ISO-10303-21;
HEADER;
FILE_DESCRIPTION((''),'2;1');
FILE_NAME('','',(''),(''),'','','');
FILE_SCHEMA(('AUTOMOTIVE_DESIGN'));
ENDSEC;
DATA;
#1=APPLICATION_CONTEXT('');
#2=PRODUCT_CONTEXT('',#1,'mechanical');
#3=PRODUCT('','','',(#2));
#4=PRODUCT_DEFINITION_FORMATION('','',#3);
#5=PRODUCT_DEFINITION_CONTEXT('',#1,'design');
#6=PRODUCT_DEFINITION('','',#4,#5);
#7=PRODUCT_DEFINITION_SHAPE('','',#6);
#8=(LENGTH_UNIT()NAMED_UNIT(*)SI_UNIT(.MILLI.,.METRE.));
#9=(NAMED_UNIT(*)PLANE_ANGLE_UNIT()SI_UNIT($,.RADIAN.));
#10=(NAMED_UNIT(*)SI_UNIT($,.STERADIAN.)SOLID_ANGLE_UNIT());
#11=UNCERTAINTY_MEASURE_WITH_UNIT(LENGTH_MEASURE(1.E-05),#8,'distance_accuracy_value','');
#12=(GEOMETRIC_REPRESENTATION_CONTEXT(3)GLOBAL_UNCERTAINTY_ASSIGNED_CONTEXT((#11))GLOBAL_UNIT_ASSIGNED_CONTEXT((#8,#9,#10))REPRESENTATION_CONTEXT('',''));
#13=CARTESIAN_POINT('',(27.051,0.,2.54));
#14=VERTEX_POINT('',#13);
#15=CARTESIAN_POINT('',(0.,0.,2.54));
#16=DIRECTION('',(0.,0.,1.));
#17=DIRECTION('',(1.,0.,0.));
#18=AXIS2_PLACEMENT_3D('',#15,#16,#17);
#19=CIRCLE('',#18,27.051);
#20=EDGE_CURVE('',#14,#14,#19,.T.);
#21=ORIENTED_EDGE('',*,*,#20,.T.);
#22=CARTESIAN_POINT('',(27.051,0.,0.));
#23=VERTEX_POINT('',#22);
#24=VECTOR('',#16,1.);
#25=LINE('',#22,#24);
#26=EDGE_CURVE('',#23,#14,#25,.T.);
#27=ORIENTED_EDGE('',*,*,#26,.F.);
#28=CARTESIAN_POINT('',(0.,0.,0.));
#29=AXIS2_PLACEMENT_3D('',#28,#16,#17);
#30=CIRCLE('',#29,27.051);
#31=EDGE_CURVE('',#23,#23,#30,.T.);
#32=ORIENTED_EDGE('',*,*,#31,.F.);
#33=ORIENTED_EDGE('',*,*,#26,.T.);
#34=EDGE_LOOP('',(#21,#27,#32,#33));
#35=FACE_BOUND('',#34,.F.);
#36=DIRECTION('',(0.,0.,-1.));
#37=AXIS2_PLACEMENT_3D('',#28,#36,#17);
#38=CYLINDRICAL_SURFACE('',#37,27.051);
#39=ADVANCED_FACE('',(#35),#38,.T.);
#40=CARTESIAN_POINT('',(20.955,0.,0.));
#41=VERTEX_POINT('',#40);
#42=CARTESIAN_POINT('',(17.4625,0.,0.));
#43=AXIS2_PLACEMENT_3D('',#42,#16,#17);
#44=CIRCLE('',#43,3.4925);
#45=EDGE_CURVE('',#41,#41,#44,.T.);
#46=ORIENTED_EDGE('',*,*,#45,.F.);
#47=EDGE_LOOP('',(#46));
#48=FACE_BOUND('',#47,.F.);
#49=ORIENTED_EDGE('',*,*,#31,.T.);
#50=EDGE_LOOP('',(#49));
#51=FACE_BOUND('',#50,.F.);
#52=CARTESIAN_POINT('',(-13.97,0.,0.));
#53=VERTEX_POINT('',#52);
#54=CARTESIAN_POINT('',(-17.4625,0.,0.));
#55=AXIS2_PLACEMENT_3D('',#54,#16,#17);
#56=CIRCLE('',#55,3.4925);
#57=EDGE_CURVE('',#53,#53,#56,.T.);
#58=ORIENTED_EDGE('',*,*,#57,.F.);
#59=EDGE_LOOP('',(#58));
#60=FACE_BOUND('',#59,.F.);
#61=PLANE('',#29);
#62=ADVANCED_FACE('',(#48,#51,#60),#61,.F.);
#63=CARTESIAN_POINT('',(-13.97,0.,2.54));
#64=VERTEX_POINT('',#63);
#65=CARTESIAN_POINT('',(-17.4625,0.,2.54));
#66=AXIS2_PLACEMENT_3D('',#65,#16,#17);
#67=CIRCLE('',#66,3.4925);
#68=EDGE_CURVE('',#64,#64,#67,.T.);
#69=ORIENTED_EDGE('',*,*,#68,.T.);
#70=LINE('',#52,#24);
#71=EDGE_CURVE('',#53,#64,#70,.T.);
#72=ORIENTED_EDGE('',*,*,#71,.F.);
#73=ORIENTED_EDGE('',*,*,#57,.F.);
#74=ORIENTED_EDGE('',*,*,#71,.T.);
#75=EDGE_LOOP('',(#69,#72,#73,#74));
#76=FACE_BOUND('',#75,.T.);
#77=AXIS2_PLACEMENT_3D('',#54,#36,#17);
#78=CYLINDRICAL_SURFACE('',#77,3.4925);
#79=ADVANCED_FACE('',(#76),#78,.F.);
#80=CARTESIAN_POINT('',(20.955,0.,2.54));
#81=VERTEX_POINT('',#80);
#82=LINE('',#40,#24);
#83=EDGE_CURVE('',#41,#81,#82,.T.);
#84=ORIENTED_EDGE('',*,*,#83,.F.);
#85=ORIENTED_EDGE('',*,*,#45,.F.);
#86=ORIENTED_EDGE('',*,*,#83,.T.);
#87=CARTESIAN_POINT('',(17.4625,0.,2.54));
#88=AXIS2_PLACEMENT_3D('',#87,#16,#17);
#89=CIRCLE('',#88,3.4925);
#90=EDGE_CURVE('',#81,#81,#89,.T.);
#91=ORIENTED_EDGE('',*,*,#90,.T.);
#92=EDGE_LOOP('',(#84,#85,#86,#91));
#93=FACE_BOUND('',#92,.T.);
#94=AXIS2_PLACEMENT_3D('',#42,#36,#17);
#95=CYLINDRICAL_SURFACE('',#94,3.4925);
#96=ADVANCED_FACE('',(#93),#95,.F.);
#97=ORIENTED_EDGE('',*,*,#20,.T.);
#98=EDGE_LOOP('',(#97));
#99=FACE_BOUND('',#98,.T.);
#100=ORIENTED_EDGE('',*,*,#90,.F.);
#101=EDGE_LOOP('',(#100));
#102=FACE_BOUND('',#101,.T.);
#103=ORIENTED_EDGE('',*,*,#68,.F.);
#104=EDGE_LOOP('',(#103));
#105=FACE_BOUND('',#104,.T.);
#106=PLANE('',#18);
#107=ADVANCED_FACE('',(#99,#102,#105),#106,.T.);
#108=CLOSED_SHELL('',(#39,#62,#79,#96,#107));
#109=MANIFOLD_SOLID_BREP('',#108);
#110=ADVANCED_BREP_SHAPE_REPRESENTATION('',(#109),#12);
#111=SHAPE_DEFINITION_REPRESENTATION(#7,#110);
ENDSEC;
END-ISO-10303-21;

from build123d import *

# Parameters (mm, degrees)
SKETCH_R   = 27.051
SKETCH_R_2 = 3.4925
PAD_DEPTH  = 2.54


with BuildPart() as part:
    # Sketch → Pad (new body)
    with BuildSketch(Plane.XY):
        Circle(SKETCH_R)
        with Locations((-17.4625, 0)):
            Circle(SKETCH_R_2, mode=Mode.SUBTRACT)
        with Locations((17.4625, 0)):
            Circle(SKETCH_R_2, mode=Mode.SUBTRACT)
    extrude(amount=PAD_DEPTH)


solid = part.part
